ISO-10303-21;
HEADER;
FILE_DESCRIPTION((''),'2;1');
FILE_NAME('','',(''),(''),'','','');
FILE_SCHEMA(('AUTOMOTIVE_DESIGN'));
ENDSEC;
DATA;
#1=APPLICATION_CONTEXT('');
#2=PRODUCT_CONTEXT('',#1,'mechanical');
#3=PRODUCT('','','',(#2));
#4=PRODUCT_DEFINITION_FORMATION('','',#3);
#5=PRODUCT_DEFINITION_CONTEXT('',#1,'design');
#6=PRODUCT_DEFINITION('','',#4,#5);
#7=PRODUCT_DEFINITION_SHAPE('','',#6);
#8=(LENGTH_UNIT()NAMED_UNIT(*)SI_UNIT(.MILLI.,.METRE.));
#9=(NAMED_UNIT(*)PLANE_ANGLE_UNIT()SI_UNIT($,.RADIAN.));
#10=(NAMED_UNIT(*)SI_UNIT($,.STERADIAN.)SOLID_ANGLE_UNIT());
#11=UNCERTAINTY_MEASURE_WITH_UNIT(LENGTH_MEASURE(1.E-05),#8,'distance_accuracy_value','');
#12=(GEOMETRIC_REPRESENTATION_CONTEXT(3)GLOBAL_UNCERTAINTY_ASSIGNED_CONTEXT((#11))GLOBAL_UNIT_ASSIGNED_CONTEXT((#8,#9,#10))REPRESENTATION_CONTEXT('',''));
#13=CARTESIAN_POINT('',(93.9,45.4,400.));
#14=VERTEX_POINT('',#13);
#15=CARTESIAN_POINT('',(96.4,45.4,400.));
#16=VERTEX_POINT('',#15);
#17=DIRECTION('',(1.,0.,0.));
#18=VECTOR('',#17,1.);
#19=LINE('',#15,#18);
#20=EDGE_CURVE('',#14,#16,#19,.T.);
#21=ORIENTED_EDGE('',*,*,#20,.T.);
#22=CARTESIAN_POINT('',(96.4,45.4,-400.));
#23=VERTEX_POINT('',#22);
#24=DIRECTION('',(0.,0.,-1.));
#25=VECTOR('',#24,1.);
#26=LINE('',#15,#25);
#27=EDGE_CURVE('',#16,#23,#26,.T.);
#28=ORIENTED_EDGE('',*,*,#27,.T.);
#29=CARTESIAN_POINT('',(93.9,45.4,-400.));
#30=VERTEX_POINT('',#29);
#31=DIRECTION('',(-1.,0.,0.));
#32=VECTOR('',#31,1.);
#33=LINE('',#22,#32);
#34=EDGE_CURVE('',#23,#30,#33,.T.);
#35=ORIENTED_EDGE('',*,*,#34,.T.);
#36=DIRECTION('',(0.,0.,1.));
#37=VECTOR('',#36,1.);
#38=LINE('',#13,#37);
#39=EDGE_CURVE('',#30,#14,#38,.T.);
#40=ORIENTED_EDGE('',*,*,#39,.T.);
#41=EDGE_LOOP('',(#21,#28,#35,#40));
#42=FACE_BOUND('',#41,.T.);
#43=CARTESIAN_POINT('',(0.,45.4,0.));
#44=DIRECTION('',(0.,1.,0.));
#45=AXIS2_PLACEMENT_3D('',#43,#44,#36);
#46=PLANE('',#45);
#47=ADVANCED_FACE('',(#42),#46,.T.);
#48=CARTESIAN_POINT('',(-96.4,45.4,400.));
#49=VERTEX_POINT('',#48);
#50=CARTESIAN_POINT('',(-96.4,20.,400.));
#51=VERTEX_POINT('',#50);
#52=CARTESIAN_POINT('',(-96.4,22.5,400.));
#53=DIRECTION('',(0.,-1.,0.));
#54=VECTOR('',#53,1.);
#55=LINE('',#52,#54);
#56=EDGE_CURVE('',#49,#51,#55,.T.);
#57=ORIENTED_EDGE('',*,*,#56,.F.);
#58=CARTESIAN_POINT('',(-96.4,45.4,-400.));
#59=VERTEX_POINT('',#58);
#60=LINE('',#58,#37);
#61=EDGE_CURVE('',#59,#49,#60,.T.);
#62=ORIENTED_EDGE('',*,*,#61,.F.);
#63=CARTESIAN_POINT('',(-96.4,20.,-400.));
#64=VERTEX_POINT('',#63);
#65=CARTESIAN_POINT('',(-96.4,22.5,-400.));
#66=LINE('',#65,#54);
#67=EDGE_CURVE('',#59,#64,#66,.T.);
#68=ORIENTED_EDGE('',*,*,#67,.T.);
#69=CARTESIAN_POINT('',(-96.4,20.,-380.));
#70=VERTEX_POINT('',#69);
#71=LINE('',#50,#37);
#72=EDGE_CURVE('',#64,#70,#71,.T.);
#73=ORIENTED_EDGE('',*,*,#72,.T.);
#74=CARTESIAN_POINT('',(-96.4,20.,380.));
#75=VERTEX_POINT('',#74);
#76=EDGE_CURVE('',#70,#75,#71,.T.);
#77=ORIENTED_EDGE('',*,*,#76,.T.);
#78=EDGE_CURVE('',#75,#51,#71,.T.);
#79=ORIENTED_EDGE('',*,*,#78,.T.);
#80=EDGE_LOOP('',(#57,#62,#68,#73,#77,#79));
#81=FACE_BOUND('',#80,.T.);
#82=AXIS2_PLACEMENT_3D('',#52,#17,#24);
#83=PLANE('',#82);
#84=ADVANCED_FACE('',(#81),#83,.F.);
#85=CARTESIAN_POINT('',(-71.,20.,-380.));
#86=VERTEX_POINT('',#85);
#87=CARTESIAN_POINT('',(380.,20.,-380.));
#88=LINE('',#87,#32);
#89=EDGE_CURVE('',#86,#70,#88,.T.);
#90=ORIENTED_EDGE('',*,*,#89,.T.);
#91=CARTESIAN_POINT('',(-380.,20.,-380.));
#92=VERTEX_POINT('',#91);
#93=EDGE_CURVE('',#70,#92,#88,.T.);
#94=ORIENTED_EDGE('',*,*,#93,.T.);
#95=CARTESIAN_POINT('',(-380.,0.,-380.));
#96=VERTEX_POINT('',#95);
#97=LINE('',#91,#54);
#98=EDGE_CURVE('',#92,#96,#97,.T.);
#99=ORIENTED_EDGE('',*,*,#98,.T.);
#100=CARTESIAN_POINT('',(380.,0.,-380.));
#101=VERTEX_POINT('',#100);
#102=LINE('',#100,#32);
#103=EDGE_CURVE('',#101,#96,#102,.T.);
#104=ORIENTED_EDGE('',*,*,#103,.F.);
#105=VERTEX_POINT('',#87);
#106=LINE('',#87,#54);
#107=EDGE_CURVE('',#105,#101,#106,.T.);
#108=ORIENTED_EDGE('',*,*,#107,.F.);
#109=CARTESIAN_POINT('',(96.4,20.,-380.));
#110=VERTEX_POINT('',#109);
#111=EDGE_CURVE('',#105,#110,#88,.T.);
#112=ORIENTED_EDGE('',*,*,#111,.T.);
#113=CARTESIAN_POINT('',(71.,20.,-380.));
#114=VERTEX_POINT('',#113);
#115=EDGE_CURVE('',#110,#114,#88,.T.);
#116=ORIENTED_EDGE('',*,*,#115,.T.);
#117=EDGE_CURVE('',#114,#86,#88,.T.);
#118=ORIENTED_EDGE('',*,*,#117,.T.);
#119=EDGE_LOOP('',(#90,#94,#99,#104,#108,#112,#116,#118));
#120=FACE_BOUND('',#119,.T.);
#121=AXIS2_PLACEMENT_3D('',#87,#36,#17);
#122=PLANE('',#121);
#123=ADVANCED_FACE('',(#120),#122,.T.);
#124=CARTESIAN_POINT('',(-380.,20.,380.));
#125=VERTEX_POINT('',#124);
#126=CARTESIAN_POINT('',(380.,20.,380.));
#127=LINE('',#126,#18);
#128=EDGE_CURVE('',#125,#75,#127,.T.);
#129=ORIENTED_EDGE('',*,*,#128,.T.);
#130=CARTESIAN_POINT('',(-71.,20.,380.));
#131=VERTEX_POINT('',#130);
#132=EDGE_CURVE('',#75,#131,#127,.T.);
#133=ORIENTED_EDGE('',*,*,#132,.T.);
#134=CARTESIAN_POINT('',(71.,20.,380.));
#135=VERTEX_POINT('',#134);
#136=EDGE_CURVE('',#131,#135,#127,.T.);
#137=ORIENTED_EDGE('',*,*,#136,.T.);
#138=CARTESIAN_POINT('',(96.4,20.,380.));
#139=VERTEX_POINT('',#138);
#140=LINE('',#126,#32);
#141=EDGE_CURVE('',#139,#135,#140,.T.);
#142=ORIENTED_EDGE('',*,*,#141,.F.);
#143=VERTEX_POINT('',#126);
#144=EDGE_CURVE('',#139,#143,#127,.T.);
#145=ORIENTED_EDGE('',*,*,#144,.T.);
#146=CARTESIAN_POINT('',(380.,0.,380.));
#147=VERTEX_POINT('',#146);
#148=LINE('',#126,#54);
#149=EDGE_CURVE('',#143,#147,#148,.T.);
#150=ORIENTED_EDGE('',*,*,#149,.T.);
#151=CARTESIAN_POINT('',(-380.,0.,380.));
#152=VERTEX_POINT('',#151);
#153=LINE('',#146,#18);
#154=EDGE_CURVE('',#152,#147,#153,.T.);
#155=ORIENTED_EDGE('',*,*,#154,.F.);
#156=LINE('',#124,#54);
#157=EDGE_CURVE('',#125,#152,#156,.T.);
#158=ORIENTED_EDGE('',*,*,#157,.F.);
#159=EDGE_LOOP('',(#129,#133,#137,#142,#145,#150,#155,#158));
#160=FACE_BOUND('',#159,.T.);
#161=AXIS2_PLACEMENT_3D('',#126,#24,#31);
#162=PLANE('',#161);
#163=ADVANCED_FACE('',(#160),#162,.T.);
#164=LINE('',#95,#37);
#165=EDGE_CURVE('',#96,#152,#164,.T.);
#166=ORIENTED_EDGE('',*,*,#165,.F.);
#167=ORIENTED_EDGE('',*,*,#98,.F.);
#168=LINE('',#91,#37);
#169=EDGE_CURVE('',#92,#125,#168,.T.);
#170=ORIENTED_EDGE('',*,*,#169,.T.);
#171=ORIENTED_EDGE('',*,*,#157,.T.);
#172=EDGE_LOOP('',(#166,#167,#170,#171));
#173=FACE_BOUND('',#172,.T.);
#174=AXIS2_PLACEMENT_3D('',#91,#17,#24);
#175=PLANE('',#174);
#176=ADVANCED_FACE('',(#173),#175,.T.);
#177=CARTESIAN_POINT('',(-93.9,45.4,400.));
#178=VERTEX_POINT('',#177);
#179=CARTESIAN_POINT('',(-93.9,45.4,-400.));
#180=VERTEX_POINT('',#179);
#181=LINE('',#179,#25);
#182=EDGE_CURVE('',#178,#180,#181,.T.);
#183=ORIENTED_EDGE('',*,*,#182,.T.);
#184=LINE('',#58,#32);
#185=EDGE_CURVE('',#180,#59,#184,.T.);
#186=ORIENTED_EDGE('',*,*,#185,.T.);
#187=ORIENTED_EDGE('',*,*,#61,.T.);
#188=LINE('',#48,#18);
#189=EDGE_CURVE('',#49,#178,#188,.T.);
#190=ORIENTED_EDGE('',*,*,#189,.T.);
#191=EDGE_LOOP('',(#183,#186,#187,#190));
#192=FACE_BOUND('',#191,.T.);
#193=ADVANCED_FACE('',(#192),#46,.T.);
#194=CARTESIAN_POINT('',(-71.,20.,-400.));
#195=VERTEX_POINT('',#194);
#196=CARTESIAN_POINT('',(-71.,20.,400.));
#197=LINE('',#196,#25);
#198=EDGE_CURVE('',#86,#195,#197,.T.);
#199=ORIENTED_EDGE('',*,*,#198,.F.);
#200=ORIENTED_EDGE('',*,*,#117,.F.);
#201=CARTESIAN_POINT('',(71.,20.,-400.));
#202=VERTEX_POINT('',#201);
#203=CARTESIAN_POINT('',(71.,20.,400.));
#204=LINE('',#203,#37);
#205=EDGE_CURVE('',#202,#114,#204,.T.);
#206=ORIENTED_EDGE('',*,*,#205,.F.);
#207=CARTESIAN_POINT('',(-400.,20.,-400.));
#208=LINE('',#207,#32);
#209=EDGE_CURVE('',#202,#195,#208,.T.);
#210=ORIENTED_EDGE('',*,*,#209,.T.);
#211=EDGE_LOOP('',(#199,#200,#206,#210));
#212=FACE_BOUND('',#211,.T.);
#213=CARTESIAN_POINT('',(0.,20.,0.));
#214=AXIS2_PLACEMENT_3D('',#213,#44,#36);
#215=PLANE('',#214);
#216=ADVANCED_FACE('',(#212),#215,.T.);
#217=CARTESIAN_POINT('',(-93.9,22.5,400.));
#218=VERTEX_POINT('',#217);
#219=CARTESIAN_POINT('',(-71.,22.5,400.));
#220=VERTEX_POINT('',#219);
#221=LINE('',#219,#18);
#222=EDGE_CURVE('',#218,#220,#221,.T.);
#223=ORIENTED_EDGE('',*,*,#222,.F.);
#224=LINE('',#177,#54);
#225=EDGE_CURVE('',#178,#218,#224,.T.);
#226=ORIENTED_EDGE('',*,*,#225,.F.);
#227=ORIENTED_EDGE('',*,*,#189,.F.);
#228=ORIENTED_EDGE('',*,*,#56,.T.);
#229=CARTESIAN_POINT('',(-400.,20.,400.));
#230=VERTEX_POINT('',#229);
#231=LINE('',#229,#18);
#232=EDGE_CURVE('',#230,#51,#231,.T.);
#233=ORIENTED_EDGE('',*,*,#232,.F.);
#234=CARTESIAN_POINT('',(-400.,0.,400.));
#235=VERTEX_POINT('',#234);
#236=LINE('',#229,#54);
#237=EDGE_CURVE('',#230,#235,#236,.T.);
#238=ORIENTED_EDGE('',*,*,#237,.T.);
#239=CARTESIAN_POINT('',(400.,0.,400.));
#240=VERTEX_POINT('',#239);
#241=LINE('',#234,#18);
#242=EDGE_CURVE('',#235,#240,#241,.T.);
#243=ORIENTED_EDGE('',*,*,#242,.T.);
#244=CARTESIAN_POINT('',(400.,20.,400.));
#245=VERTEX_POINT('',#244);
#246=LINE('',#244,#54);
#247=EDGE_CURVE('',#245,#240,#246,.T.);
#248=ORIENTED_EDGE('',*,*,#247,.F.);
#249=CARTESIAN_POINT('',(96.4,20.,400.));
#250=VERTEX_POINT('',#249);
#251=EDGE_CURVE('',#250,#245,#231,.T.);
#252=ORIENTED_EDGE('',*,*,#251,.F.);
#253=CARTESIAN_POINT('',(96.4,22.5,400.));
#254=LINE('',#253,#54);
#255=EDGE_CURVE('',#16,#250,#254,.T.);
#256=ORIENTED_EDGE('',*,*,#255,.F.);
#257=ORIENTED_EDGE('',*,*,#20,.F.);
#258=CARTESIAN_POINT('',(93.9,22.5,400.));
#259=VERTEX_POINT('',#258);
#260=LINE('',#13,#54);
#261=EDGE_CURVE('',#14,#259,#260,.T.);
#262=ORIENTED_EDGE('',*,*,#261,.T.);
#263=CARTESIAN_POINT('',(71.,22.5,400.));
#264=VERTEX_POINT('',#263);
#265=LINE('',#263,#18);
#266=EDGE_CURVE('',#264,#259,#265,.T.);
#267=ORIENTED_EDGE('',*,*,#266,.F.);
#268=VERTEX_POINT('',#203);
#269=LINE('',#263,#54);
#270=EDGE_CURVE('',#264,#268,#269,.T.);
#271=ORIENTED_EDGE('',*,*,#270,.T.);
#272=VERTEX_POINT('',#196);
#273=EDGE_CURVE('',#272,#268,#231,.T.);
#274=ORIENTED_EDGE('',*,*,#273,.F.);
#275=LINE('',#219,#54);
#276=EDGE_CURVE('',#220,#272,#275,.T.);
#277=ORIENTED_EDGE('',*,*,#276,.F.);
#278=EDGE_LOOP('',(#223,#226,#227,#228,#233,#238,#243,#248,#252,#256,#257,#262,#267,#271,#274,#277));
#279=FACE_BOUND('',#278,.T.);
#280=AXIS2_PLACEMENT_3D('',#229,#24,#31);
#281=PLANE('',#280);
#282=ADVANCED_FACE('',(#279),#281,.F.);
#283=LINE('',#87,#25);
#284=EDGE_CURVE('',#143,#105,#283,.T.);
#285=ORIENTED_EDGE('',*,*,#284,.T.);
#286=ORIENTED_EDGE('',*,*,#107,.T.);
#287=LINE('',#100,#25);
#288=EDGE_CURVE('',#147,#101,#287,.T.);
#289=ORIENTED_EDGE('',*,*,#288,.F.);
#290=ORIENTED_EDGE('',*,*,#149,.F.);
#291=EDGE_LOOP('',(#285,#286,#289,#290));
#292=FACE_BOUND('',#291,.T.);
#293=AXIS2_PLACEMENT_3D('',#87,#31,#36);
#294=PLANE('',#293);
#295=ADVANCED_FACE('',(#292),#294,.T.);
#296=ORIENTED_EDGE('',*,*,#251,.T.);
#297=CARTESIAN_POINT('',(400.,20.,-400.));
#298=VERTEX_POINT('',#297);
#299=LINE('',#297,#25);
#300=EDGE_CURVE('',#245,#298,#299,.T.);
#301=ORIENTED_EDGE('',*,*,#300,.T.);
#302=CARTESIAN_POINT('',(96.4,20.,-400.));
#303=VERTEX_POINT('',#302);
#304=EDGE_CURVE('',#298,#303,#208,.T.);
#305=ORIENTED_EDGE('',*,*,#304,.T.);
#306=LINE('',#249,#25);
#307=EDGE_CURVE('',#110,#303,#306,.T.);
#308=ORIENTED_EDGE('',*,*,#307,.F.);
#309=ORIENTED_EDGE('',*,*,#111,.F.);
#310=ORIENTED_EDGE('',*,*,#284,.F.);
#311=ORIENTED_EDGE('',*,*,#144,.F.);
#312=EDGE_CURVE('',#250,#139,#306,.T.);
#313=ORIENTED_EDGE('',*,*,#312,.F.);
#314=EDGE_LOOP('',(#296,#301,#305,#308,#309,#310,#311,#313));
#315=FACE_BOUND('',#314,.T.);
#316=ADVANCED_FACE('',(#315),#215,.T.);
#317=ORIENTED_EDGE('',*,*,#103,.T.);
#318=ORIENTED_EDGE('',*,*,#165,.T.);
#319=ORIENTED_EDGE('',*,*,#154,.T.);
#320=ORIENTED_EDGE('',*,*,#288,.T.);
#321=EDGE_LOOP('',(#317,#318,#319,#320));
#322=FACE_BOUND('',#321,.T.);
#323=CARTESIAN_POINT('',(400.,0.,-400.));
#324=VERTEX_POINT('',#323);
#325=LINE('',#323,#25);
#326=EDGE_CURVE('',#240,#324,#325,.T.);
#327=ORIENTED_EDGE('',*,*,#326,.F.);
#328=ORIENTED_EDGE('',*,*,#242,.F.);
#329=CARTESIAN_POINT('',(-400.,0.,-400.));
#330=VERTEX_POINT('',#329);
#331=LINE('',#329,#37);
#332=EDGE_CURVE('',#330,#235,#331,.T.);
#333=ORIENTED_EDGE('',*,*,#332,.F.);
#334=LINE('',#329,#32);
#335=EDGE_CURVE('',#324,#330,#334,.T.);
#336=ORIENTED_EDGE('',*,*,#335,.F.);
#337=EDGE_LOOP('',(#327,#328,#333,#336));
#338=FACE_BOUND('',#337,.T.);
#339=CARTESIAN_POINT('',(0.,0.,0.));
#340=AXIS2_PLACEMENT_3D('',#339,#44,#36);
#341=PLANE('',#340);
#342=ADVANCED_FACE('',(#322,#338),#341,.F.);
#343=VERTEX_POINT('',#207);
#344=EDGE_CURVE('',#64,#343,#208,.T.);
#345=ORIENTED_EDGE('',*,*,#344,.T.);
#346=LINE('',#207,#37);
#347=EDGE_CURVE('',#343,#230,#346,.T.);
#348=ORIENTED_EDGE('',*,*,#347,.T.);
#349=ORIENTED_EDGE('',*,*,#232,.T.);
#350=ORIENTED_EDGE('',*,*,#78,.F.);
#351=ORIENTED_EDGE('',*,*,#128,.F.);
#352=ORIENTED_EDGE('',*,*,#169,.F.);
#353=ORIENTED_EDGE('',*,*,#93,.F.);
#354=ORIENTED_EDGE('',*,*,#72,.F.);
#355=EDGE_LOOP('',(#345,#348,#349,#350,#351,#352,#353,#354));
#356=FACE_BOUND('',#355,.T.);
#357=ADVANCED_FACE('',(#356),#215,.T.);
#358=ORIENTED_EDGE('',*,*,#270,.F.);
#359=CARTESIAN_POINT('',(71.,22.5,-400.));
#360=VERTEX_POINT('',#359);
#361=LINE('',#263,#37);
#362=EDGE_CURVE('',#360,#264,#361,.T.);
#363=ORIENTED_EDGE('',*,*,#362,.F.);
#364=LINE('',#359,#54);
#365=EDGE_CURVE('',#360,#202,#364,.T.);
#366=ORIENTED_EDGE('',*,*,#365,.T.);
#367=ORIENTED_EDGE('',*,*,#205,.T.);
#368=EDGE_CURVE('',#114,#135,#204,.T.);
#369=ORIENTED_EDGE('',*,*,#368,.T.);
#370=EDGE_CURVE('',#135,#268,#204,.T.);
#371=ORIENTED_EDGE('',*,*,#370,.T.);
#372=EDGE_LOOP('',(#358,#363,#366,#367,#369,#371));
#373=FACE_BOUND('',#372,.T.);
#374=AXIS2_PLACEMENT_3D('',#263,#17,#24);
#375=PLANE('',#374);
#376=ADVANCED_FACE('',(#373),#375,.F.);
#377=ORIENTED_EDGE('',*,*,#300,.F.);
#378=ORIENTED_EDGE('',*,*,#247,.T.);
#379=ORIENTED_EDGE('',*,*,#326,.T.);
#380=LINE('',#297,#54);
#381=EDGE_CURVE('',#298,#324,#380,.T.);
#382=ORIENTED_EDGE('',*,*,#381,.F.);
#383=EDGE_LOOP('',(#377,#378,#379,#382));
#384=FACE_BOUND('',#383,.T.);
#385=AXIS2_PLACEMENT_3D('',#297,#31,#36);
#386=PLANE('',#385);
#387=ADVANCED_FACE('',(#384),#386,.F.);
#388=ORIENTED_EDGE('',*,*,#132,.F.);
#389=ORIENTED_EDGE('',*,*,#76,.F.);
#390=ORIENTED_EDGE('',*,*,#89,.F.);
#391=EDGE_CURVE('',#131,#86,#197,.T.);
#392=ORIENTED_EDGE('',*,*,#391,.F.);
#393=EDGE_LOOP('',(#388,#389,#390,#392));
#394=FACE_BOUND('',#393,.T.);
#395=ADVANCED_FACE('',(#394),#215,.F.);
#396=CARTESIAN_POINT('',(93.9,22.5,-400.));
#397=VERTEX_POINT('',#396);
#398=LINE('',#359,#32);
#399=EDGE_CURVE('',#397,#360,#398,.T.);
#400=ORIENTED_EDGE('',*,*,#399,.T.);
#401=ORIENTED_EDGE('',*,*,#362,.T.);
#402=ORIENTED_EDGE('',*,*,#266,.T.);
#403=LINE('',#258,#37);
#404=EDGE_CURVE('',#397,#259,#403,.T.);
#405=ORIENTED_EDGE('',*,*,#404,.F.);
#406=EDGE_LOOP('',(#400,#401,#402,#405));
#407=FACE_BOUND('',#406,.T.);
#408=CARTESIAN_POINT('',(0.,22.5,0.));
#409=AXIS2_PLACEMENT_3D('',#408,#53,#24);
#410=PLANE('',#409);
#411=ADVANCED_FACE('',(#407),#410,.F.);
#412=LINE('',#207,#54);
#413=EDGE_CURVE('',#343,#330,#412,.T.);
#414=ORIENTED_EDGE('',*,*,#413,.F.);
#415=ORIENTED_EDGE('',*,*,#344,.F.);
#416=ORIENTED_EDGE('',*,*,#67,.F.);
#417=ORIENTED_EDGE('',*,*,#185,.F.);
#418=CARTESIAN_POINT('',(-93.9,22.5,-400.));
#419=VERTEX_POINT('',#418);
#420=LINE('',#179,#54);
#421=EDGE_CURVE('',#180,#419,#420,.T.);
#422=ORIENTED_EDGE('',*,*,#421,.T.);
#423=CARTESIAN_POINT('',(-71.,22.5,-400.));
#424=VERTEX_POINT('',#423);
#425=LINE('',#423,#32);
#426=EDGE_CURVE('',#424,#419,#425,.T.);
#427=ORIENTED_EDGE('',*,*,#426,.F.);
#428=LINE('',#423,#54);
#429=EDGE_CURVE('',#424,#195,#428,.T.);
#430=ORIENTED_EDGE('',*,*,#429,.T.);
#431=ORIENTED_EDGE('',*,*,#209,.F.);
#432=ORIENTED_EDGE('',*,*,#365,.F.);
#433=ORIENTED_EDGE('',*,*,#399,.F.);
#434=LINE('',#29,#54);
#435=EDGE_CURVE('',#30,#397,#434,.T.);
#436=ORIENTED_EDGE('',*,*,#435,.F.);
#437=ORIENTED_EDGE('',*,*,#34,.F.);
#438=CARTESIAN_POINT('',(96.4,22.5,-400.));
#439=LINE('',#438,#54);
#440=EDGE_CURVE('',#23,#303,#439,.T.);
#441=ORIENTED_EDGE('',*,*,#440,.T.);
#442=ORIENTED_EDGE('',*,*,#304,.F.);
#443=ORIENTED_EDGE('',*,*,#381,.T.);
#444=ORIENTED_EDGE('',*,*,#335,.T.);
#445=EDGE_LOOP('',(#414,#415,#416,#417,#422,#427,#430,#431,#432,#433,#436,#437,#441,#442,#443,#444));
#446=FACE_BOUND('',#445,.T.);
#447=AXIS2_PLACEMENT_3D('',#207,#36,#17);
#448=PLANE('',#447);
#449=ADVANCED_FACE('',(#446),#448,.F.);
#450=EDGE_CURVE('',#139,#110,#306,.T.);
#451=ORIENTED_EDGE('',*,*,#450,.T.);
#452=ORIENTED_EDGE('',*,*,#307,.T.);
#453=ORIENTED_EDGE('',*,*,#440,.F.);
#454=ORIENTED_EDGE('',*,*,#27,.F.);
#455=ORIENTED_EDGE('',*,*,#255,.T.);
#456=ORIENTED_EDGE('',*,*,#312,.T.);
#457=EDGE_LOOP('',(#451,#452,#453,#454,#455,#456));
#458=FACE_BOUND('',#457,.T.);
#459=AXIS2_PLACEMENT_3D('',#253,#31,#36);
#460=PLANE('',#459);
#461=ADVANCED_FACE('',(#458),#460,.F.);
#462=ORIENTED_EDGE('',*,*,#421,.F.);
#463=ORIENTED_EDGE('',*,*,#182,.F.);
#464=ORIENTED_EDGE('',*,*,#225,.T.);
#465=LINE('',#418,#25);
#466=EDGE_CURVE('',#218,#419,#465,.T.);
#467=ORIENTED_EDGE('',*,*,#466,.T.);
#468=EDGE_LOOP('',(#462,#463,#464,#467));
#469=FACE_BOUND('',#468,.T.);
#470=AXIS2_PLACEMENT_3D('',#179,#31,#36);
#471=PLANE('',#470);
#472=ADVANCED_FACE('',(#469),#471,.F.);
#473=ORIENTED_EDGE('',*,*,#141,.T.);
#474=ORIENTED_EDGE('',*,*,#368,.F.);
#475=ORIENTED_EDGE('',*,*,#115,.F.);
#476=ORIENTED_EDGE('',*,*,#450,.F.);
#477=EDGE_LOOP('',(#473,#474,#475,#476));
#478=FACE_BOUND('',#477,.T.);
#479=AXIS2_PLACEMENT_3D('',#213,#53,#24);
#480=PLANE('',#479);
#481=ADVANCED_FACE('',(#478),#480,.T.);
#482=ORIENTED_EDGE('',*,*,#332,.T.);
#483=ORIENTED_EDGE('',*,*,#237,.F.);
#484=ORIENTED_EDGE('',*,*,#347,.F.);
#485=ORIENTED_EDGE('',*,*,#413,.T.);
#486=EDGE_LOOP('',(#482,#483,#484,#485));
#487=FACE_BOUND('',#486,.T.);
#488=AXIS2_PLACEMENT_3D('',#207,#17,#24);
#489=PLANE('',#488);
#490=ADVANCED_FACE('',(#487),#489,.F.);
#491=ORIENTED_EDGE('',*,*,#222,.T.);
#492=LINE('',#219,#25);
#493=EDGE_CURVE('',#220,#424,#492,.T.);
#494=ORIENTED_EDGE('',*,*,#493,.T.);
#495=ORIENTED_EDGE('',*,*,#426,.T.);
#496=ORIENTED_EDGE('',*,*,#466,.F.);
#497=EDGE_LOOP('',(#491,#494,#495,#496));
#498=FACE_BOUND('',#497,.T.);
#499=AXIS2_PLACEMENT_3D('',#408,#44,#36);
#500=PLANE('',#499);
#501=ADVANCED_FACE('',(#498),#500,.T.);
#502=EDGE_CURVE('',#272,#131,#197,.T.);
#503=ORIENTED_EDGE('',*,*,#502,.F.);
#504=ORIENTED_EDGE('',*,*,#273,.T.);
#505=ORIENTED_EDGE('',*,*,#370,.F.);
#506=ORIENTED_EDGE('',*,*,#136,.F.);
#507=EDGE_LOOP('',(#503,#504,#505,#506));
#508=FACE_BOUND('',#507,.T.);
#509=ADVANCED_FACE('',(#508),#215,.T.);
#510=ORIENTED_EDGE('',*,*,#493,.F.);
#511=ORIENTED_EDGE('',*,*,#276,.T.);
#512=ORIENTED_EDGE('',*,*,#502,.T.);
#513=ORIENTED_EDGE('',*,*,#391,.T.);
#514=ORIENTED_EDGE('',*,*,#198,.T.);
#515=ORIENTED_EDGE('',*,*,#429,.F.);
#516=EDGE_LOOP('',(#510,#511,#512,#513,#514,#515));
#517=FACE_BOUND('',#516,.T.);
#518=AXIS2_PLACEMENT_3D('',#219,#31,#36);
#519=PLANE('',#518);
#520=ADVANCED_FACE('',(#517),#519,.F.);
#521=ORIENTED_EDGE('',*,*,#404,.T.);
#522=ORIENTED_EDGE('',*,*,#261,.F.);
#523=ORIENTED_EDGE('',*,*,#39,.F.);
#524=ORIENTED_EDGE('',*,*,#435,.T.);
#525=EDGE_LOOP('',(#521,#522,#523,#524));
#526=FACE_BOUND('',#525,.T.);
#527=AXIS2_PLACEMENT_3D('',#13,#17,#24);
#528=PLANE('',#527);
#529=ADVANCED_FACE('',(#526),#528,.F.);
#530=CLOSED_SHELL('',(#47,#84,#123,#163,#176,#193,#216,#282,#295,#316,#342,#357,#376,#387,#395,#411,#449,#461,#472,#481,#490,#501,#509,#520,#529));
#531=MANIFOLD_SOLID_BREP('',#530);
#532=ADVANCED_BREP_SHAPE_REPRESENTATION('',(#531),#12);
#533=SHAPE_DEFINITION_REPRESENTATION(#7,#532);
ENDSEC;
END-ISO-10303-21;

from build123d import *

# Parameters (mm, degrees)
SKETCH1_W           = 800
SKETCH1_H           = 800
SKETCH1_W_2         = 760
SKETCH1_H_2         = 760
BOSS_EXTRUDE1_DEPTH = 20
SKETCH2_W           = 25.4
SKETCH2_H           = 800
BOSS_EXTRUDE2_DEPTH = 2.5
SKETCH3_W           = 2.5
SKETCH3_H           = 800
BOSS_EXTRUDE3_DEPTH = 22.9


with BuildPart() as part:
    # Sketch1 → Boss-Extrude1 (new body)
    with BuildSketch(Plane(origin=(0, 0, 0), x_dir=(1, 0, 0), z_dir=(0, 1, 0))):
        Rectangle(SKETCH1_W, SKETCH1_H)
        Rectangle(SKETCH1_W_2, SKETCH1_H_2, mode=Mode.SUBTRACT)
    extrude(amount=BOSS_EXTRUDE1_DEPTH)

    # Sketch2 → Boss-Extrude2 (add)
    with BuildSketch(Plane(origin=(0, 20, 0), x_dir=(1, 0, 0), z_dir=(0, 1, 0))):
        with Locations((83.7, 0)):
            Rectangle(SKETCH2_W, SKETCH2_H)
        with Locations((-83.7, 0)):
            Rectangle(SKETCH2_W, SKETCH2_H)
    extrude(amount=BOSS_EXTRUDE2_DEPTH)

    # Sketch3 → Boss-Extrude3 (add)
    with BuildSketch(Plane(origin=(0, 22.5, 0), x_dir=(1, 0, 0), z_dir=(0, 1, 0))):
        with Locations((-95.15, 0)):
            Rectangle(SKETCH3_W, SKETCH3_H)
        with Locations((95.15, 0)):
            Rectangle(SKETCH3_W, SKETCH3_H)
    extrude(amount=BOSS_EXTRUDE3_DEPTH)


solid = part.part
